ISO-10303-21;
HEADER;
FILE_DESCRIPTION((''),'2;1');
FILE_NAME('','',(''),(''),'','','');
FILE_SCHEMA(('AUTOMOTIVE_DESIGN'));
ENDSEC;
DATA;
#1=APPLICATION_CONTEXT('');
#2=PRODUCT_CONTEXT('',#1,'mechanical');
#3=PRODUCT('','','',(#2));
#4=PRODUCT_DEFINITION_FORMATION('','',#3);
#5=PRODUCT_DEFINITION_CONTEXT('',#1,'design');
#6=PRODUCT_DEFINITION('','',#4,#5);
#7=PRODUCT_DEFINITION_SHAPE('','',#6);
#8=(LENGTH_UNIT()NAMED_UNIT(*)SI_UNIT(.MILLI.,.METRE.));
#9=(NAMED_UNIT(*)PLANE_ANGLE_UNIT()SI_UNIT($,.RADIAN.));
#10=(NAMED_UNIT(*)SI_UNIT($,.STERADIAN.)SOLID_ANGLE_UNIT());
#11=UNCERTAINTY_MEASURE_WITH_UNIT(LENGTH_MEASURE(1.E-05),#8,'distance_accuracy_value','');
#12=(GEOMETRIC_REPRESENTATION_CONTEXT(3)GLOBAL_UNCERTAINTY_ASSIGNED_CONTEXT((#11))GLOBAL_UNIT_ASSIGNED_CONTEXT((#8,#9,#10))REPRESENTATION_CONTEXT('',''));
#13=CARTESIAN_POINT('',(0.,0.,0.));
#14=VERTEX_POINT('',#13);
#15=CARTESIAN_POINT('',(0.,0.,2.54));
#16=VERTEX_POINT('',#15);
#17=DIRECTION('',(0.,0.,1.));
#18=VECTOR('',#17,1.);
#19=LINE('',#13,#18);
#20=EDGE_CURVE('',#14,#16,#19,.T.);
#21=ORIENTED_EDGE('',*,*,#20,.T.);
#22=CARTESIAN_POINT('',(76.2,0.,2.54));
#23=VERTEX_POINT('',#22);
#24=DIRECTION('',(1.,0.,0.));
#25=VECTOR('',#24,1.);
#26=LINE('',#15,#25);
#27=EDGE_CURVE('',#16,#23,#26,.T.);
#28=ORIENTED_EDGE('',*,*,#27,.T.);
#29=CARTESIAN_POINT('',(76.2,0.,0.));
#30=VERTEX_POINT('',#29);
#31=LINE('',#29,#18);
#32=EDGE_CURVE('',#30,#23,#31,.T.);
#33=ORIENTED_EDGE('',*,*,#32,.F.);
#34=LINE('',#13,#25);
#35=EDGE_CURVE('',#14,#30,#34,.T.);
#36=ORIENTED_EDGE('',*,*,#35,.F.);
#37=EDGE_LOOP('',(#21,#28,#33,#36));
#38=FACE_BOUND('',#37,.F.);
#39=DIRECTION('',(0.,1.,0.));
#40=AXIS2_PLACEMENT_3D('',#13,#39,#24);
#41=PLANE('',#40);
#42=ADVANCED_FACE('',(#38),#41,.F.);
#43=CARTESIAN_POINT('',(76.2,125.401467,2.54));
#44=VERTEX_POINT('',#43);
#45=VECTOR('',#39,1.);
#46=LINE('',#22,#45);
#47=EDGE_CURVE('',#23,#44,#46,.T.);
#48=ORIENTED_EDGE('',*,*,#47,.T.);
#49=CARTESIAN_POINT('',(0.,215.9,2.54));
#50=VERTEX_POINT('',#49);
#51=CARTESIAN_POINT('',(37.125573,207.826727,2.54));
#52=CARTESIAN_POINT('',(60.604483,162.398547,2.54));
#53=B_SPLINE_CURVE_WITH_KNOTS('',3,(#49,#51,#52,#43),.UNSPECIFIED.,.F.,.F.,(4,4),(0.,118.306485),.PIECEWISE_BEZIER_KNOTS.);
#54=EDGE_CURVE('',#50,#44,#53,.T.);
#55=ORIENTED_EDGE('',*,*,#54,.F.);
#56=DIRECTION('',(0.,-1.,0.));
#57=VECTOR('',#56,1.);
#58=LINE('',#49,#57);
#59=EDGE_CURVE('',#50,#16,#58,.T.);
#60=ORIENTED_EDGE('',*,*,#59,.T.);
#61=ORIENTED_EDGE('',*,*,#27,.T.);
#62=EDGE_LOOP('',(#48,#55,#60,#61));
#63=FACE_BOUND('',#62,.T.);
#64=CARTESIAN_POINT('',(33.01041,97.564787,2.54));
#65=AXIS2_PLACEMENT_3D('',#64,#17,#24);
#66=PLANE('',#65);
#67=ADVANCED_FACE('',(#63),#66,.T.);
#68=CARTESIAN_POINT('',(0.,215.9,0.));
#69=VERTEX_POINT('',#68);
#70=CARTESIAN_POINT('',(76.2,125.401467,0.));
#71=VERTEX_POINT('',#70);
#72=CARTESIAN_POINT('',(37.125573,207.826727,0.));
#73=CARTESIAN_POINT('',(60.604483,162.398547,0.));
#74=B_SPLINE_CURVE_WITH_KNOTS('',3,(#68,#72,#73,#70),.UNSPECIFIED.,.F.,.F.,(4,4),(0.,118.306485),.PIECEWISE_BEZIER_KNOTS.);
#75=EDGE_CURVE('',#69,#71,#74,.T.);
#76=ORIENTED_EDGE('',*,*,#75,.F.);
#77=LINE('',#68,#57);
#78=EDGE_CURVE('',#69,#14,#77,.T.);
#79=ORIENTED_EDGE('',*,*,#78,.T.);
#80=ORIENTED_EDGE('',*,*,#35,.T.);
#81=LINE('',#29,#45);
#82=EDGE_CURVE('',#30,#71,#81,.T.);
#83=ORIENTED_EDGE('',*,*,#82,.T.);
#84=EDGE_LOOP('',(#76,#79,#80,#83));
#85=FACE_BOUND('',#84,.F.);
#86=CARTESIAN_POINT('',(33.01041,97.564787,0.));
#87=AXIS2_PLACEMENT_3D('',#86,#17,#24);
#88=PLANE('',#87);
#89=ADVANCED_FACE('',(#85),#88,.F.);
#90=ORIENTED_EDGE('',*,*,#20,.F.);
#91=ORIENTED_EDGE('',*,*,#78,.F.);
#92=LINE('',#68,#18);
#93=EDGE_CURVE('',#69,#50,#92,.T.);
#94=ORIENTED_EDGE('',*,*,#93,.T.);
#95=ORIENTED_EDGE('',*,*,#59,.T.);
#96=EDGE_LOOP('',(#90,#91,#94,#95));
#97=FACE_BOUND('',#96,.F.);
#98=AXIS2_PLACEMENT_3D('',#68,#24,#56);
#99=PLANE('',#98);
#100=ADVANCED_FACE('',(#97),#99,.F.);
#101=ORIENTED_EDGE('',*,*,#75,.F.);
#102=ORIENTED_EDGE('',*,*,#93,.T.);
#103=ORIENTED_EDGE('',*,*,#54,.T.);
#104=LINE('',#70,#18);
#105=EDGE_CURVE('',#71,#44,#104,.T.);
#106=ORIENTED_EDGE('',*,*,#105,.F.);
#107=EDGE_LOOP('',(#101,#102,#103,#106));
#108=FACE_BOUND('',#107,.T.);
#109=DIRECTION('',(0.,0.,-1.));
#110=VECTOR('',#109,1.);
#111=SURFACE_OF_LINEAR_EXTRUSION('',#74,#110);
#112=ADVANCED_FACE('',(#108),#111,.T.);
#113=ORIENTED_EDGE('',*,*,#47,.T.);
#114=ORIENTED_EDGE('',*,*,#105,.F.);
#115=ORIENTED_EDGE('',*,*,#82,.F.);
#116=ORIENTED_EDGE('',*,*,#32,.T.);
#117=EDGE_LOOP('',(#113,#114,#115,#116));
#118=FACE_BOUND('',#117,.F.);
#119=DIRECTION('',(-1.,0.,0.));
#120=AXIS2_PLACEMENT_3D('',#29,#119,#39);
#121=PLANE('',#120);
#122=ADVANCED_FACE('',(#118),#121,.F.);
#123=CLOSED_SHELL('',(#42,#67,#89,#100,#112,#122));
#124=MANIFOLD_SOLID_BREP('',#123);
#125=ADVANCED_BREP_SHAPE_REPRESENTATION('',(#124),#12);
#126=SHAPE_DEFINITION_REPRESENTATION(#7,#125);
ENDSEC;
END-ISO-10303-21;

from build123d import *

# Parameters (mm, degrees)
F1_DEPTH = 2.54


with BuildPart() as f1:
    # F0 (on Top) → F1 (new body)
    with BuildSketch(Plane.XY):
        with BuildLine():
            Line((0, 215.9), (0, 0))
            Line((0, 0), (76.2, 0))
            Line((76.2, 0), (76.2, 125.401467))
            add(Edge.make_bspline(
                [(0, 215.9), (37.125573, 207.826727), (60.604483, 162.398547), (76.2, 125.401467)],
                knots=[0, 0, 0, 0, 118.306485, 118.306485, 118.306485, 118.306485], degree=3))
        make_face()
    extrude(amount=F1_DEPTH)


solid = f1.part
